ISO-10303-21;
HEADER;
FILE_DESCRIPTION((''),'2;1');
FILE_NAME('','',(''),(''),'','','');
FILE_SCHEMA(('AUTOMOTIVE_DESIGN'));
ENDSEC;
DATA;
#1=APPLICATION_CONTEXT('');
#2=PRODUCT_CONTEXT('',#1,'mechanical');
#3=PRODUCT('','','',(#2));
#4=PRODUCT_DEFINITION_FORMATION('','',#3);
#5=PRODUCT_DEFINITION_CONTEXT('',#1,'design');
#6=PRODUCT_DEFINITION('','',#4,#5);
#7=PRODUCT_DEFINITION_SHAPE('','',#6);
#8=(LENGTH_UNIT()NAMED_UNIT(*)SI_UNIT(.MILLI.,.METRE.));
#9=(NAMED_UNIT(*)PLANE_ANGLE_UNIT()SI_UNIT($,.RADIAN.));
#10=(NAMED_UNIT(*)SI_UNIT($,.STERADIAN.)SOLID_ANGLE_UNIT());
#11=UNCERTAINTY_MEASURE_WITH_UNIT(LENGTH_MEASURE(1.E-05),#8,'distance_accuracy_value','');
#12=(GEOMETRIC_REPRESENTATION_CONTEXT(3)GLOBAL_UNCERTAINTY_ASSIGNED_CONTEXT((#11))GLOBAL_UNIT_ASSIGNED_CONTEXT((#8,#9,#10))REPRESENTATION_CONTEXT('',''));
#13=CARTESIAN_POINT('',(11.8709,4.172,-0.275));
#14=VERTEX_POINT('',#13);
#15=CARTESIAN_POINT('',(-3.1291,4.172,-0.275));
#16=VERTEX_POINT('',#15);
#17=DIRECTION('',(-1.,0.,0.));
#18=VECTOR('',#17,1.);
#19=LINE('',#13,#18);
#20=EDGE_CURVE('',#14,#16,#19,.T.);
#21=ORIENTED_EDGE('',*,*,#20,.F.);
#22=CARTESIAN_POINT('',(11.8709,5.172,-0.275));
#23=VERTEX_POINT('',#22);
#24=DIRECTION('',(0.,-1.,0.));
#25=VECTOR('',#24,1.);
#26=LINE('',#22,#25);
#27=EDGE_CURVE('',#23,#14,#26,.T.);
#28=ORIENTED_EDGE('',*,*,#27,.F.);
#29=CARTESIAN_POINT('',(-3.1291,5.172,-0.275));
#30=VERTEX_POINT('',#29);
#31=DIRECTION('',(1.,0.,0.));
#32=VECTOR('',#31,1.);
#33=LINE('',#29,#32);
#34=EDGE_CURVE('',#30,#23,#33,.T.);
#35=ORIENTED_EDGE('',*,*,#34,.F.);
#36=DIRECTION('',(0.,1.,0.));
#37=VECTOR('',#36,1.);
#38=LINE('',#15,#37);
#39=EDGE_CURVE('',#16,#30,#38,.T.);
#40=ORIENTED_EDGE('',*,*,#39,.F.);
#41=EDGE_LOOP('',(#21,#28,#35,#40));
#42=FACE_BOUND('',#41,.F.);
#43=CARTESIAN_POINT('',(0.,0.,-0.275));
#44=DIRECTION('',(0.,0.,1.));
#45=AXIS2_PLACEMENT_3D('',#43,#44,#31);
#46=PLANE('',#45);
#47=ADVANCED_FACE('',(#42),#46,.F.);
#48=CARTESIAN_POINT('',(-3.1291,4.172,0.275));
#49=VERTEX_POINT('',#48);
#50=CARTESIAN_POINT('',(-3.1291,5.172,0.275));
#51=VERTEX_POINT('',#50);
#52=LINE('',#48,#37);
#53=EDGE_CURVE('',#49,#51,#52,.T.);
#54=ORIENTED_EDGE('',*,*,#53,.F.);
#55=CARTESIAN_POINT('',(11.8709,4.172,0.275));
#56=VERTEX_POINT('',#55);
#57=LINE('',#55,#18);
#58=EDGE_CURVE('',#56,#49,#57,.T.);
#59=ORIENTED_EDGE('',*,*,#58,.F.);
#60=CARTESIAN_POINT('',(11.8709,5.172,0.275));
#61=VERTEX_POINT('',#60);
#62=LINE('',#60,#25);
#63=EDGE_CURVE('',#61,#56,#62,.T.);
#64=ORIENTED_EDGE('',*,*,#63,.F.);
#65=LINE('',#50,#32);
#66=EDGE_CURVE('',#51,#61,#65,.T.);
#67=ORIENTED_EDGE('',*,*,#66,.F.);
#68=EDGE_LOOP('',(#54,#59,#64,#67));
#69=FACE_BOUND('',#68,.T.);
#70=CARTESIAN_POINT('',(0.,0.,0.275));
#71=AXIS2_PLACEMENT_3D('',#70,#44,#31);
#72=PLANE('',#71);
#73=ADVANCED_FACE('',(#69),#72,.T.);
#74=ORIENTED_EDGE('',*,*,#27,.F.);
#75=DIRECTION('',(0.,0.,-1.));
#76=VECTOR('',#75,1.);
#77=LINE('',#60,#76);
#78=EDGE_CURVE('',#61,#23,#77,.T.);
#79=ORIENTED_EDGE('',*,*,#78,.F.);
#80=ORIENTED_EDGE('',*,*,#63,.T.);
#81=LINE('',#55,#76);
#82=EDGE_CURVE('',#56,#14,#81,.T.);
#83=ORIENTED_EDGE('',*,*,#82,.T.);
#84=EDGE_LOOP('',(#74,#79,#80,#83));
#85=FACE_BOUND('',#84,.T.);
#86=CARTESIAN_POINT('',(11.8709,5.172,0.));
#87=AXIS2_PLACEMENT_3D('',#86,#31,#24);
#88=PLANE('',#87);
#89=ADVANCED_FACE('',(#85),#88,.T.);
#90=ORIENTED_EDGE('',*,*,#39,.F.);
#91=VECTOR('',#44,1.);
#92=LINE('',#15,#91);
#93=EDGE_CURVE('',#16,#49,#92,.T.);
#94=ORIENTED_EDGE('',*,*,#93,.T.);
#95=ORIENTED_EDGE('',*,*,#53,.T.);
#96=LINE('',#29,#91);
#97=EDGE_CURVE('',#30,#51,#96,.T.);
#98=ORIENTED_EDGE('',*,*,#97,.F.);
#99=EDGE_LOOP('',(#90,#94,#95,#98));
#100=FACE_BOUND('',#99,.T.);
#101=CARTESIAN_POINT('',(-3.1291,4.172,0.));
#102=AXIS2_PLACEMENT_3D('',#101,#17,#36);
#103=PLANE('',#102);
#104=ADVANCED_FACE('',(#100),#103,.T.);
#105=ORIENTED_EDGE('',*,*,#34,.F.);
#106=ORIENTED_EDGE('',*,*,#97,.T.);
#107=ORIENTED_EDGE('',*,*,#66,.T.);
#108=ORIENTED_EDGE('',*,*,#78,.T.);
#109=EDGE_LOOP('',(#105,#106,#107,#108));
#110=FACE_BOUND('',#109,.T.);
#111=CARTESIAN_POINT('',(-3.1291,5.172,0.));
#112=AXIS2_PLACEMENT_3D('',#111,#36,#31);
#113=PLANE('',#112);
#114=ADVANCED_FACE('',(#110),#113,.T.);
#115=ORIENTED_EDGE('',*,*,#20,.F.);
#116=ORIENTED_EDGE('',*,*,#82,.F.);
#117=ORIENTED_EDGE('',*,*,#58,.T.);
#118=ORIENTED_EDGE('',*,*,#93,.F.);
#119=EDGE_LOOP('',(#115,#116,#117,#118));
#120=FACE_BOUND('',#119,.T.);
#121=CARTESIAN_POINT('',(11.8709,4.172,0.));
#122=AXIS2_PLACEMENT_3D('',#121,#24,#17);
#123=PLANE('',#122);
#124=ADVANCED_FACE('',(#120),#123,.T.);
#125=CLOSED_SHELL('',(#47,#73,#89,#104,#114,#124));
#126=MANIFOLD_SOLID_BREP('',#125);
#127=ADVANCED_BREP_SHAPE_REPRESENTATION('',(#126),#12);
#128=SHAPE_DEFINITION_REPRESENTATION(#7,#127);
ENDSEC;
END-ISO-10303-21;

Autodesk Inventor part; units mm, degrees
ref_plane "YZ Plane" through (0, 0, 0) normal (1, 0, 0) x (0, 1, 0)
ref_plane "XZ Plane" through (0, 0, 0) normal (0, 1, 0) x (-1, 0, 0)
ref_plane "XY Plane" through (0, 0, 0) normal (0, 0, 1) x (1, 0, 0)
sketch "Sketch1" plane through (0, 0, 0) normal (0, 0, 1) x (1, 0, 0)
  line L0 (-3.1291, 5.172) -> (11.8709, 5.172)
  line L1 (11.8709, 5.172) -> (11.8709, 4.172)
  line L2 (11.8709, 4.172) -> (-3.1291, 4.172)
  line L3 (-3.1291, 4.172) -> (-3.1291, 5.172)
  point P0 (0, 0)
  dimension "d0" = 15
  dimension "d1" = 1
extrude "Extrusion1" add sketch "Sketch1" along normal mid plane 0.55
properties part number "pen3_barra" material "Brass, Soft Yellow"
